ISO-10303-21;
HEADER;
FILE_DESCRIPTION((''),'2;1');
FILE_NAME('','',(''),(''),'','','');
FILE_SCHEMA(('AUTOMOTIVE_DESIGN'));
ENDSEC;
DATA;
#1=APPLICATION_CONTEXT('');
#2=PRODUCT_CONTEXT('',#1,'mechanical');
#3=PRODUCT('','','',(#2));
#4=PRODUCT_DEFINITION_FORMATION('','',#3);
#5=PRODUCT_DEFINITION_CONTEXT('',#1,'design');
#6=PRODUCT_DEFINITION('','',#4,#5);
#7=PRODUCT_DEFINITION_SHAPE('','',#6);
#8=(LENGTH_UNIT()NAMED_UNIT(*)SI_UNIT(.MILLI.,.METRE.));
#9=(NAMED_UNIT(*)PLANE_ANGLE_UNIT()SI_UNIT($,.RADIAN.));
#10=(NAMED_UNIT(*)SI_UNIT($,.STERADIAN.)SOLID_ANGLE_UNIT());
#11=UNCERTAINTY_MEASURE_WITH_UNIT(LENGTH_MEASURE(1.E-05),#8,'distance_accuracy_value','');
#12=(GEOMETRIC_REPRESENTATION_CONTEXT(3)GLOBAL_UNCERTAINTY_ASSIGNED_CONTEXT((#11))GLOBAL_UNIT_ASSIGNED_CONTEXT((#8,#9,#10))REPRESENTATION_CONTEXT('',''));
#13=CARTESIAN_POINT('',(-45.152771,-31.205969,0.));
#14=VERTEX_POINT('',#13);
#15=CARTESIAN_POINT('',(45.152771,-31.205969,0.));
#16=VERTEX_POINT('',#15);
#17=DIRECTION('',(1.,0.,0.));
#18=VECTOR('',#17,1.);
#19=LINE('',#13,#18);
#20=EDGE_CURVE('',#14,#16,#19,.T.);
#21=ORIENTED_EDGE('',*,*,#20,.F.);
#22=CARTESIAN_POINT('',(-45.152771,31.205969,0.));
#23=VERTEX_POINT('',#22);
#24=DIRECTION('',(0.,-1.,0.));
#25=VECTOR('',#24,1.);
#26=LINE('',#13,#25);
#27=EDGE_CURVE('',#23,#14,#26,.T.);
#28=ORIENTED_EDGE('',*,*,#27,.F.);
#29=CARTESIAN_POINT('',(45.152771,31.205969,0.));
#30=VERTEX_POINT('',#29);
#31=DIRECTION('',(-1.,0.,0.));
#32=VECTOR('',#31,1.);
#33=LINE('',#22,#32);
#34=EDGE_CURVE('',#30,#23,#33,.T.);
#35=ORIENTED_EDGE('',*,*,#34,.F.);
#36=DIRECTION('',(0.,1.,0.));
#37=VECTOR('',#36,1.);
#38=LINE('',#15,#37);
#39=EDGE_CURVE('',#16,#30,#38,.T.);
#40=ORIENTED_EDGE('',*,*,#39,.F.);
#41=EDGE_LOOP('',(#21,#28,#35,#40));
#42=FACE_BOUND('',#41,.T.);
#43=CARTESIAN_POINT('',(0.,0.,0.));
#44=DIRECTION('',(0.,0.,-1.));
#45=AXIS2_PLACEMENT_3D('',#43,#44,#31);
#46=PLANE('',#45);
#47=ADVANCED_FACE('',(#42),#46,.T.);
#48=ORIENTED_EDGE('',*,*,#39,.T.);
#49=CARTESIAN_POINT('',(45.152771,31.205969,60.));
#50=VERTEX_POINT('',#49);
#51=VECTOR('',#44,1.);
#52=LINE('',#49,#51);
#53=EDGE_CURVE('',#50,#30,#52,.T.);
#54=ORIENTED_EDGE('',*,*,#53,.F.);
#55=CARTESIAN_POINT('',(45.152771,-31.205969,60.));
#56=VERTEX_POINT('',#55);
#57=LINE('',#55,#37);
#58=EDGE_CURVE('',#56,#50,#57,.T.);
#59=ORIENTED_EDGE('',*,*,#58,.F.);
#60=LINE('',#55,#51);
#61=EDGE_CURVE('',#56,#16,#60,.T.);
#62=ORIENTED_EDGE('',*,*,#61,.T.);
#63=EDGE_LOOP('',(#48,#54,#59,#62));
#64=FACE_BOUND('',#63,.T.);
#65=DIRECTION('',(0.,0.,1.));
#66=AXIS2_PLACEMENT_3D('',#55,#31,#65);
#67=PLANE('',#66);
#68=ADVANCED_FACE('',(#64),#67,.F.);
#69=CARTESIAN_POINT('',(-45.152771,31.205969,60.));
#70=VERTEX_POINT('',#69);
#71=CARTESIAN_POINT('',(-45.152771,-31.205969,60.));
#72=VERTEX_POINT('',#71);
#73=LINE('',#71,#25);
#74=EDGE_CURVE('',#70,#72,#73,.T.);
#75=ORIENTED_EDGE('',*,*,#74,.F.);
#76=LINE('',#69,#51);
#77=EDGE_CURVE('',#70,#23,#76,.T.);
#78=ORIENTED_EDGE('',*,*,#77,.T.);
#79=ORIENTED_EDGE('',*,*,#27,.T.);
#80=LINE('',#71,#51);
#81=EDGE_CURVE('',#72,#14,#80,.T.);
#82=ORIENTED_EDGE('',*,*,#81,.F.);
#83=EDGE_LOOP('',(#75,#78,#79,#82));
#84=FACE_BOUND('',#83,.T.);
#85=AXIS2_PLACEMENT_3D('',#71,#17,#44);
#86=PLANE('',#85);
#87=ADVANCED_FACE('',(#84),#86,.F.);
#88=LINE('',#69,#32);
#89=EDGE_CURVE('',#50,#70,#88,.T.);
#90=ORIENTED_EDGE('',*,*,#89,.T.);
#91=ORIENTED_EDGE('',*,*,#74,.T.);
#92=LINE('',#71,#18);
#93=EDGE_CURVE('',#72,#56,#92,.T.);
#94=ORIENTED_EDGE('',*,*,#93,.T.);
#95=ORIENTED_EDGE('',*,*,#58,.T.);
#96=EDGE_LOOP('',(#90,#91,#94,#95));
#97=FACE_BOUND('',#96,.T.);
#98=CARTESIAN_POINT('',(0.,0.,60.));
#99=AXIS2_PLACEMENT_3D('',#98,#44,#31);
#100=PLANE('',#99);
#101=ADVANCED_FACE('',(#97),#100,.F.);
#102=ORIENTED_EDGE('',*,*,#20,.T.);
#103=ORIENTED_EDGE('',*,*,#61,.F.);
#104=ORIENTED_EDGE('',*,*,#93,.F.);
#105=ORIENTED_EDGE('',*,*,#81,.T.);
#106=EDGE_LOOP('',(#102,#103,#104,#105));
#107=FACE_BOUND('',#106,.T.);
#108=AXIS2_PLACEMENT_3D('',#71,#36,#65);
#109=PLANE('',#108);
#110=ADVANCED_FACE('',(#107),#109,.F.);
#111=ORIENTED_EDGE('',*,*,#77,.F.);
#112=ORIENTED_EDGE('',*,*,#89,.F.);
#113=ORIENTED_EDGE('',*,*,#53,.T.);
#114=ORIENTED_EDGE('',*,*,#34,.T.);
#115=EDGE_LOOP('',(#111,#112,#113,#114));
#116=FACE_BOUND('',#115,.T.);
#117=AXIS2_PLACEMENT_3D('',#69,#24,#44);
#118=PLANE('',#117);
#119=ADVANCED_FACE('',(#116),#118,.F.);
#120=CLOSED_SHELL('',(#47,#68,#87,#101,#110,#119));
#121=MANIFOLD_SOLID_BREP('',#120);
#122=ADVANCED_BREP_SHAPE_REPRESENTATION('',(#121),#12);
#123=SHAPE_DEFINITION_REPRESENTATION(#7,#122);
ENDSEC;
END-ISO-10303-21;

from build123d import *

# Parameters (mm, degrees)
SKETCH1_W           = 90.305541698
SKETCH1_H           = 62.411938084
BOSS_EXTRUDE1_DEPTH = 60


with BuildPart() as part:
    # Sketch1 → Boss-Extrude1 (new body)
    with BuildSketch(Plane.XY):
        Rectangle(SKETCH1_W, SKETCH1_H)
    extrude(amount=BOSS_EXTRUDE1_DEPTH)


solid = part.part
